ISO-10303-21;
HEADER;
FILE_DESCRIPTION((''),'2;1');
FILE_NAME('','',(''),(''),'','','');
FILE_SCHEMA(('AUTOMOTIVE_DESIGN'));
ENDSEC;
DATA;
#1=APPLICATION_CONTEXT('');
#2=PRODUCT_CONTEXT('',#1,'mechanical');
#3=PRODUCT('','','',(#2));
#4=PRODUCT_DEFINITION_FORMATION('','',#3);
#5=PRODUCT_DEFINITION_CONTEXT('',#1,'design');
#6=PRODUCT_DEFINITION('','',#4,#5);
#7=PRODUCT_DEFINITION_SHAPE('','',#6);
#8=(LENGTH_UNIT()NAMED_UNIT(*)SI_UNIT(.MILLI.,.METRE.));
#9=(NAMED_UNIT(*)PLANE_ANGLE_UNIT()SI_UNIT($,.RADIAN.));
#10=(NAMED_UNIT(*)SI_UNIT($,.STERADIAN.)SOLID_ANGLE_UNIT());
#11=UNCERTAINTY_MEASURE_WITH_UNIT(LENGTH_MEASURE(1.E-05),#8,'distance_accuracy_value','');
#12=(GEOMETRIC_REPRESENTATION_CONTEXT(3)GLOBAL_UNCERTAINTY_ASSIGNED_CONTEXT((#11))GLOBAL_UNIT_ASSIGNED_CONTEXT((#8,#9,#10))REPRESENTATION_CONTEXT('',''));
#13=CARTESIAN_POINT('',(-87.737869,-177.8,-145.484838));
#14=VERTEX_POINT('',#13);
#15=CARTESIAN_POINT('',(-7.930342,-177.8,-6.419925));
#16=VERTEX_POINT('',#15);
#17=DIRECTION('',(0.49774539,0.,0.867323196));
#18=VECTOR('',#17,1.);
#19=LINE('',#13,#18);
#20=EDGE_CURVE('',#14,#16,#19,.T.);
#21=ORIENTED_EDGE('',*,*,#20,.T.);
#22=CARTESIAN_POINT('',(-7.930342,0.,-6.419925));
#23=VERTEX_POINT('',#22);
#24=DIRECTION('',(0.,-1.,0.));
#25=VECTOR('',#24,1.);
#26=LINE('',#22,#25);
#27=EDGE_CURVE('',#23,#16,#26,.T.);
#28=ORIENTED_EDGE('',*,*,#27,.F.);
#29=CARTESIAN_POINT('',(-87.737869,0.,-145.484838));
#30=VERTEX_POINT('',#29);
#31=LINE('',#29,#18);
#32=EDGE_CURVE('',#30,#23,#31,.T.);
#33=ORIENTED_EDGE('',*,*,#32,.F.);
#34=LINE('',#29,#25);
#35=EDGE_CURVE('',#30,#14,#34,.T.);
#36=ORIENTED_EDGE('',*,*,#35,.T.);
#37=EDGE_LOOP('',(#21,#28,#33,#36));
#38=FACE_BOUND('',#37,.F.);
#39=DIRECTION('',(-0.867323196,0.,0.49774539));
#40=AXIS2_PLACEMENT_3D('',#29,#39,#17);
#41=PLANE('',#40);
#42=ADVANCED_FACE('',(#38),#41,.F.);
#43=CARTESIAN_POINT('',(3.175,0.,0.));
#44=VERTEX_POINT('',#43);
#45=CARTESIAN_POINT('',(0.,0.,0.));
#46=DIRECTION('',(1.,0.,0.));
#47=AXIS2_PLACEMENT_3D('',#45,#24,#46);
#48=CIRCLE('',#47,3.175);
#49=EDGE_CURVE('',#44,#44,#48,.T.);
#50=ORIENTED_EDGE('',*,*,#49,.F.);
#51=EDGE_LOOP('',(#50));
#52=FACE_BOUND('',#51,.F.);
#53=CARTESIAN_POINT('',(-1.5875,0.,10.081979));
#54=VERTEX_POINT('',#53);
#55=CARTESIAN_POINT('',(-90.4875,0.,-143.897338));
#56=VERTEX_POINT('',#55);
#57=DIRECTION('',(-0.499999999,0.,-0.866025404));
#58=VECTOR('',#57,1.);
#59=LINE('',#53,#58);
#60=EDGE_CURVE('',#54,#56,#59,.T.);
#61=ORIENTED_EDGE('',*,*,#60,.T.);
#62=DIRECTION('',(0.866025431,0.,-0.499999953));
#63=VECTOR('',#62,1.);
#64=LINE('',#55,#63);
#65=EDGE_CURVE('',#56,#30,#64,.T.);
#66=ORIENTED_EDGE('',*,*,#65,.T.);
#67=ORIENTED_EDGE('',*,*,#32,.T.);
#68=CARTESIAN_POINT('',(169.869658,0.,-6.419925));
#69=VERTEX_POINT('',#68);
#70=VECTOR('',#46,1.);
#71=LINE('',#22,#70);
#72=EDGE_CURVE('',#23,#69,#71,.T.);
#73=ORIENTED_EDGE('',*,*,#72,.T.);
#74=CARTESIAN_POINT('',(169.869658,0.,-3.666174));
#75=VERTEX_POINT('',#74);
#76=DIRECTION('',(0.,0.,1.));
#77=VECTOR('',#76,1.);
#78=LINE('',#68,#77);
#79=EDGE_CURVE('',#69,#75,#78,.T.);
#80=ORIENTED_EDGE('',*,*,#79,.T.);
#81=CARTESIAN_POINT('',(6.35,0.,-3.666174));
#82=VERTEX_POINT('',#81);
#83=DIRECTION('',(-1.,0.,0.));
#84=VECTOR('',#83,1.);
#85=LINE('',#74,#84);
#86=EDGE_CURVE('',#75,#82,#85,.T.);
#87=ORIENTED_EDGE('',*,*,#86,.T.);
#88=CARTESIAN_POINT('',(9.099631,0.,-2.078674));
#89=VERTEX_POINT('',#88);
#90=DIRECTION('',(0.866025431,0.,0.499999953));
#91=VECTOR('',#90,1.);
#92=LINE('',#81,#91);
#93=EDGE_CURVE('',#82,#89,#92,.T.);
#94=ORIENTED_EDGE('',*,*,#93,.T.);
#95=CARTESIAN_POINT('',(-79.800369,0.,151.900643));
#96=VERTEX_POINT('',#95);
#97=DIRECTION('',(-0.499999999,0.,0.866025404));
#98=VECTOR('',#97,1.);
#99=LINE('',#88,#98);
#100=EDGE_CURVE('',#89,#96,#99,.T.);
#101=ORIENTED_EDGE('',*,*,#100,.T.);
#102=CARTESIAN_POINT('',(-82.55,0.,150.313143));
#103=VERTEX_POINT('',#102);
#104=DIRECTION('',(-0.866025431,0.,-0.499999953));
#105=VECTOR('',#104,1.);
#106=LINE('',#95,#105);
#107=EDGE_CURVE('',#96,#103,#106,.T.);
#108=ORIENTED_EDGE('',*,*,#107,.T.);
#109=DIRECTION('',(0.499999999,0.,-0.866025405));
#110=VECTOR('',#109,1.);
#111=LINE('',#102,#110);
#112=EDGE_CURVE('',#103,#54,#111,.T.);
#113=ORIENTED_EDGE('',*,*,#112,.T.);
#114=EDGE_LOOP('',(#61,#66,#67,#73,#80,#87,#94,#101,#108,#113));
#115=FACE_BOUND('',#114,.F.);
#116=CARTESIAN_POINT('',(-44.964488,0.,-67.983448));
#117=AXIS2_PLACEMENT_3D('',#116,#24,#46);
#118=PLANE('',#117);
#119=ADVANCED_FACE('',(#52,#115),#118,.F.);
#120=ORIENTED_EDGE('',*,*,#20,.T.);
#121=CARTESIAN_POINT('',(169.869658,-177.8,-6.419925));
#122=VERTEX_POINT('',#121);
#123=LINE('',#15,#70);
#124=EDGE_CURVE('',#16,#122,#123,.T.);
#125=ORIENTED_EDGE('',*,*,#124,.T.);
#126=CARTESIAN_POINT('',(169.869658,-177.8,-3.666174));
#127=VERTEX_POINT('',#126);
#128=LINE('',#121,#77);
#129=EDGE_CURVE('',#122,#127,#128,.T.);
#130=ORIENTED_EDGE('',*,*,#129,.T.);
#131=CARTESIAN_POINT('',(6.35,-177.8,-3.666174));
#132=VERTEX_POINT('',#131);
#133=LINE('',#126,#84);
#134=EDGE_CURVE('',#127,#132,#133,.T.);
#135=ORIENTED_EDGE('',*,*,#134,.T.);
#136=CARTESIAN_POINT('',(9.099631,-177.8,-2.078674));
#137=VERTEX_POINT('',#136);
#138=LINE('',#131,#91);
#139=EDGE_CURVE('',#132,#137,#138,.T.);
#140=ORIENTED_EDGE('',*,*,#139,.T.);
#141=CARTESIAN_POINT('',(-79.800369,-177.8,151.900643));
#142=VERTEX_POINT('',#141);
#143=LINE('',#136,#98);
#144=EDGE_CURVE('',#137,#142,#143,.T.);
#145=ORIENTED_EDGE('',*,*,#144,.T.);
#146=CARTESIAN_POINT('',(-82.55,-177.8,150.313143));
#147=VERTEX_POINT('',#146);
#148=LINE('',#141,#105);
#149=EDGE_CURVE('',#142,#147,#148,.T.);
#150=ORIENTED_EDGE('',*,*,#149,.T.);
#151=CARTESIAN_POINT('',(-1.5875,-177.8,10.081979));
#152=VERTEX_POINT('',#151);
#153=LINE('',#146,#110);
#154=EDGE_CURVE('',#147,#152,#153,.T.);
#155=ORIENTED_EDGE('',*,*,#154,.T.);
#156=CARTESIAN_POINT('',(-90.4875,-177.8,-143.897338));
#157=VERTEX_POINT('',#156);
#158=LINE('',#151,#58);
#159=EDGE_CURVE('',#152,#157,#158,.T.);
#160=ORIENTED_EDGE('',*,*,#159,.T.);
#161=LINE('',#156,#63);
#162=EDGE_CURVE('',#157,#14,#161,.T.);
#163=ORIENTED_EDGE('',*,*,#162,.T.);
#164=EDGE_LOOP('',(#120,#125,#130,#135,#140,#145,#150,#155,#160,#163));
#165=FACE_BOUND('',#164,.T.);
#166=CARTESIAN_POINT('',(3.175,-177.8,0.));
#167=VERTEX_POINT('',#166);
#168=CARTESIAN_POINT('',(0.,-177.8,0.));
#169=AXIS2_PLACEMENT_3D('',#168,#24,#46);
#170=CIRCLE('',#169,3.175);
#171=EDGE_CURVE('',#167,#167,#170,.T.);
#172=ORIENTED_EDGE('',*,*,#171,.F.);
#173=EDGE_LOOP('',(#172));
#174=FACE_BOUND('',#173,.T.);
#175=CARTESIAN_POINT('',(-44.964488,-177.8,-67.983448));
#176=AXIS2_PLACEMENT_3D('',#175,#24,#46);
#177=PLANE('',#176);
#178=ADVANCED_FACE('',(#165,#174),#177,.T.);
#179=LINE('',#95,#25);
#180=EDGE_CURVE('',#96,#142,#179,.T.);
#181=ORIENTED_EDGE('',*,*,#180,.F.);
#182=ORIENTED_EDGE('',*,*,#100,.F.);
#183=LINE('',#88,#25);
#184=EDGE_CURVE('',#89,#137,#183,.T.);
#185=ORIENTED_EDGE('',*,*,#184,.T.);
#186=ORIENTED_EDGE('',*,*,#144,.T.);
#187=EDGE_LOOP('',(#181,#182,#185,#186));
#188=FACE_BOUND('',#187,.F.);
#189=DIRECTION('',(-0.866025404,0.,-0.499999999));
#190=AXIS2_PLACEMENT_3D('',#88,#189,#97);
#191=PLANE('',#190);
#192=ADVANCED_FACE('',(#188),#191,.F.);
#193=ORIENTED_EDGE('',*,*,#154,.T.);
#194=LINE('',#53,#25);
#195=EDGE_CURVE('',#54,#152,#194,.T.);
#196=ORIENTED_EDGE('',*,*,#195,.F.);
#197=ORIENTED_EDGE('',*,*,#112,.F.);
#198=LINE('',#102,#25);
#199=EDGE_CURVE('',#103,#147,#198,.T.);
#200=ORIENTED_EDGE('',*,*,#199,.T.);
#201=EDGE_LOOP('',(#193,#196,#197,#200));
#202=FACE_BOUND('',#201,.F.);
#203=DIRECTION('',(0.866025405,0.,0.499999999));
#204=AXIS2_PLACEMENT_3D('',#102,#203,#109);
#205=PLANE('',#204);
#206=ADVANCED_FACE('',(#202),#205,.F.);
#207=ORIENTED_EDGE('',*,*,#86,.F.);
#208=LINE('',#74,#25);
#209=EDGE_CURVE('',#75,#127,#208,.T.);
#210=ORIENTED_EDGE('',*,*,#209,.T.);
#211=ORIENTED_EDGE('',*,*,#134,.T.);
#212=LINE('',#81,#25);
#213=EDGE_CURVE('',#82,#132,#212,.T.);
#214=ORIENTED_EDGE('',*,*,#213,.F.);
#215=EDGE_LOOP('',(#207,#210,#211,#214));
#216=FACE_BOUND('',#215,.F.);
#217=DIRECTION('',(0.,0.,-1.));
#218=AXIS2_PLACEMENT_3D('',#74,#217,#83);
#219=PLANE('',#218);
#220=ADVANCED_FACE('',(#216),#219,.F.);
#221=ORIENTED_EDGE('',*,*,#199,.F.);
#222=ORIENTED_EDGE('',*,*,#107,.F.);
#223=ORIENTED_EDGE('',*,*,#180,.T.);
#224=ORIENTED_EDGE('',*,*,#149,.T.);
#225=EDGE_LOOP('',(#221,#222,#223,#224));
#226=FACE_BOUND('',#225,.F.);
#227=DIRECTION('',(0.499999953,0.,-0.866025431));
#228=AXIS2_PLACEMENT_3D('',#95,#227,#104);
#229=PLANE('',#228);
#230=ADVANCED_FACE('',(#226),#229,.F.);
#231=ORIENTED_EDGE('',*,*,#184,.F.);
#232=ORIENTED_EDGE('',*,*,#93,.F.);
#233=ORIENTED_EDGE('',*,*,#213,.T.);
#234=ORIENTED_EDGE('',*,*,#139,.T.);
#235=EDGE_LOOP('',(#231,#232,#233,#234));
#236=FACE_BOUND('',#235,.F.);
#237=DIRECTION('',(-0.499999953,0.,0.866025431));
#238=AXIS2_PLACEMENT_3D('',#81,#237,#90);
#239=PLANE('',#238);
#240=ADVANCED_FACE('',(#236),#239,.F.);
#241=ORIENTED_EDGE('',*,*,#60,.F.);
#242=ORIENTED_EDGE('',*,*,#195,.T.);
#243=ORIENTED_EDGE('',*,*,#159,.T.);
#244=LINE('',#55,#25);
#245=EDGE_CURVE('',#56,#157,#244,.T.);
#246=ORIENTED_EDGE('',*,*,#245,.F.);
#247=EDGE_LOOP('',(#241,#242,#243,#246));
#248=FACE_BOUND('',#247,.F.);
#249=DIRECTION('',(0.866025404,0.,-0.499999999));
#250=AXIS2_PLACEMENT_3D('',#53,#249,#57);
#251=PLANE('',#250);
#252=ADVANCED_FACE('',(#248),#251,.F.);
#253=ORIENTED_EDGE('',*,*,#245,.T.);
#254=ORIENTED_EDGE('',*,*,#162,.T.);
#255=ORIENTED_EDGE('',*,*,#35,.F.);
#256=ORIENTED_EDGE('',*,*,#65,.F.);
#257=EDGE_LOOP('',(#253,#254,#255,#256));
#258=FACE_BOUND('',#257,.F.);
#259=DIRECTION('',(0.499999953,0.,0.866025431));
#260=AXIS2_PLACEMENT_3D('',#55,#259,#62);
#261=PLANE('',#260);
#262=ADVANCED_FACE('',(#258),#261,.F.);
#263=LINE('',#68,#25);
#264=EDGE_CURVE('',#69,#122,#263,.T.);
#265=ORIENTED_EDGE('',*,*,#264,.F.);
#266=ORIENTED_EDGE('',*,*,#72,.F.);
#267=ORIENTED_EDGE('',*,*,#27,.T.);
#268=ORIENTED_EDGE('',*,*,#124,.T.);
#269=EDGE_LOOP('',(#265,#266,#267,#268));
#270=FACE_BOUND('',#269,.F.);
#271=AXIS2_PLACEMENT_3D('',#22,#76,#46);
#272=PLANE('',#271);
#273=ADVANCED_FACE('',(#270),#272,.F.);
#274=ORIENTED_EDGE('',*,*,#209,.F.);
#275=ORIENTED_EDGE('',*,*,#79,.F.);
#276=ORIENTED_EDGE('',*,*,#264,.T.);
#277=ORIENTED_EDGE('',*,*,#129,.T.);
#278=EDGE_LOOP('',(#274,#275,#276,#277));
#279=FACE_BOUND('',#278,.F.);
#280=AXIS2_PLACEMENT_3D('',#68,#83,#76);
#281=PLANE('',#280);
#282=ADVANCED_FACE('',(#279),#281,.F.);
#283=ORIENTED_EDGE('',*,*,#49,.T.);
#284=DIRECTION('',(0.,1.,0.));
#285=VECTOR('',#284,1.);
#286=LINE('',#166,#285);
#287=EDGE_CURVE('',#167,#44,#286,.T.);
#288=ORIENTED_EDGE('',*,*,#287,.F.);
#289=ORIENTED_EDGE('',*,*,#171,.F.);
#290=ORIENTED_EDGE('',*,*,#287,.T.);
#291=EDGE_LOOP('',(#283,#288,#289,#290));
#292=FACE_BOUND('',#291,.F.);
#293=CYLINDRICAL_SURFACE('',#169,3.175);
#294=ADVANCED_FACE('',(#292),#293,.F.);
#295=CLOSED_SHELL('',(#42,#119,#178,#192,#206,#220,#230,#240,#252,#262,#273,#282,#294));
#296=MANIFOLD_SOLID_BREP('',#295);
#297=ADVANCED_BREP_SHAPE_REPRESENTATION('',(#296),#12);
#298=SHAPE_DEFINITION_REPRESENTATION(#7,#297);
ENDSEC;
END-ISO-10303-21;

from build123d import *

# Parameters (mm, degrees)
F1_DEPTH = 177.8
F2_R     = 3.175
F3_DEPTH = 177.8


with BuildPart() as f1:
    # F0 (on Front) → F1 (new body)
    with BuildSketch(Plane.XZ):
        Polygon((-6.35, -3.666174), (0, 7.332348), (-1.5875, 10.081979), (-90.4875, -143.897338), (-87.737869, -145.484838), (-7.930342, -6.419925), align=None)
        Polygon((-1.5875, 10.081979), (0, 7.332348), (6.35, -3.666174), (9.099631, -2.078674), (-79.800369, 151.900643), (-82.55, 150.313143), align=None)
        Polygon((169.869658, -3.666174), (6.35, -3.666174), (-6.35, -3.666174), (-7.930342, -6.419925), (169.869658, -6.419925), align=None)
        Polygon((6.35, -3.666174), (0, 7.332348), (-6.35, -3.666174), align=None)
    extrude(amount=F1_DEPTH)

    # F2 (on face) → F3 (cut)
    with BuildSketch(Plane.XZ.offset(177.8)):
        Circle(F2_R)
    extrude(amount=-F3_DEPTH, mode=Mode.SUBTRACT)


solid = f1.part
